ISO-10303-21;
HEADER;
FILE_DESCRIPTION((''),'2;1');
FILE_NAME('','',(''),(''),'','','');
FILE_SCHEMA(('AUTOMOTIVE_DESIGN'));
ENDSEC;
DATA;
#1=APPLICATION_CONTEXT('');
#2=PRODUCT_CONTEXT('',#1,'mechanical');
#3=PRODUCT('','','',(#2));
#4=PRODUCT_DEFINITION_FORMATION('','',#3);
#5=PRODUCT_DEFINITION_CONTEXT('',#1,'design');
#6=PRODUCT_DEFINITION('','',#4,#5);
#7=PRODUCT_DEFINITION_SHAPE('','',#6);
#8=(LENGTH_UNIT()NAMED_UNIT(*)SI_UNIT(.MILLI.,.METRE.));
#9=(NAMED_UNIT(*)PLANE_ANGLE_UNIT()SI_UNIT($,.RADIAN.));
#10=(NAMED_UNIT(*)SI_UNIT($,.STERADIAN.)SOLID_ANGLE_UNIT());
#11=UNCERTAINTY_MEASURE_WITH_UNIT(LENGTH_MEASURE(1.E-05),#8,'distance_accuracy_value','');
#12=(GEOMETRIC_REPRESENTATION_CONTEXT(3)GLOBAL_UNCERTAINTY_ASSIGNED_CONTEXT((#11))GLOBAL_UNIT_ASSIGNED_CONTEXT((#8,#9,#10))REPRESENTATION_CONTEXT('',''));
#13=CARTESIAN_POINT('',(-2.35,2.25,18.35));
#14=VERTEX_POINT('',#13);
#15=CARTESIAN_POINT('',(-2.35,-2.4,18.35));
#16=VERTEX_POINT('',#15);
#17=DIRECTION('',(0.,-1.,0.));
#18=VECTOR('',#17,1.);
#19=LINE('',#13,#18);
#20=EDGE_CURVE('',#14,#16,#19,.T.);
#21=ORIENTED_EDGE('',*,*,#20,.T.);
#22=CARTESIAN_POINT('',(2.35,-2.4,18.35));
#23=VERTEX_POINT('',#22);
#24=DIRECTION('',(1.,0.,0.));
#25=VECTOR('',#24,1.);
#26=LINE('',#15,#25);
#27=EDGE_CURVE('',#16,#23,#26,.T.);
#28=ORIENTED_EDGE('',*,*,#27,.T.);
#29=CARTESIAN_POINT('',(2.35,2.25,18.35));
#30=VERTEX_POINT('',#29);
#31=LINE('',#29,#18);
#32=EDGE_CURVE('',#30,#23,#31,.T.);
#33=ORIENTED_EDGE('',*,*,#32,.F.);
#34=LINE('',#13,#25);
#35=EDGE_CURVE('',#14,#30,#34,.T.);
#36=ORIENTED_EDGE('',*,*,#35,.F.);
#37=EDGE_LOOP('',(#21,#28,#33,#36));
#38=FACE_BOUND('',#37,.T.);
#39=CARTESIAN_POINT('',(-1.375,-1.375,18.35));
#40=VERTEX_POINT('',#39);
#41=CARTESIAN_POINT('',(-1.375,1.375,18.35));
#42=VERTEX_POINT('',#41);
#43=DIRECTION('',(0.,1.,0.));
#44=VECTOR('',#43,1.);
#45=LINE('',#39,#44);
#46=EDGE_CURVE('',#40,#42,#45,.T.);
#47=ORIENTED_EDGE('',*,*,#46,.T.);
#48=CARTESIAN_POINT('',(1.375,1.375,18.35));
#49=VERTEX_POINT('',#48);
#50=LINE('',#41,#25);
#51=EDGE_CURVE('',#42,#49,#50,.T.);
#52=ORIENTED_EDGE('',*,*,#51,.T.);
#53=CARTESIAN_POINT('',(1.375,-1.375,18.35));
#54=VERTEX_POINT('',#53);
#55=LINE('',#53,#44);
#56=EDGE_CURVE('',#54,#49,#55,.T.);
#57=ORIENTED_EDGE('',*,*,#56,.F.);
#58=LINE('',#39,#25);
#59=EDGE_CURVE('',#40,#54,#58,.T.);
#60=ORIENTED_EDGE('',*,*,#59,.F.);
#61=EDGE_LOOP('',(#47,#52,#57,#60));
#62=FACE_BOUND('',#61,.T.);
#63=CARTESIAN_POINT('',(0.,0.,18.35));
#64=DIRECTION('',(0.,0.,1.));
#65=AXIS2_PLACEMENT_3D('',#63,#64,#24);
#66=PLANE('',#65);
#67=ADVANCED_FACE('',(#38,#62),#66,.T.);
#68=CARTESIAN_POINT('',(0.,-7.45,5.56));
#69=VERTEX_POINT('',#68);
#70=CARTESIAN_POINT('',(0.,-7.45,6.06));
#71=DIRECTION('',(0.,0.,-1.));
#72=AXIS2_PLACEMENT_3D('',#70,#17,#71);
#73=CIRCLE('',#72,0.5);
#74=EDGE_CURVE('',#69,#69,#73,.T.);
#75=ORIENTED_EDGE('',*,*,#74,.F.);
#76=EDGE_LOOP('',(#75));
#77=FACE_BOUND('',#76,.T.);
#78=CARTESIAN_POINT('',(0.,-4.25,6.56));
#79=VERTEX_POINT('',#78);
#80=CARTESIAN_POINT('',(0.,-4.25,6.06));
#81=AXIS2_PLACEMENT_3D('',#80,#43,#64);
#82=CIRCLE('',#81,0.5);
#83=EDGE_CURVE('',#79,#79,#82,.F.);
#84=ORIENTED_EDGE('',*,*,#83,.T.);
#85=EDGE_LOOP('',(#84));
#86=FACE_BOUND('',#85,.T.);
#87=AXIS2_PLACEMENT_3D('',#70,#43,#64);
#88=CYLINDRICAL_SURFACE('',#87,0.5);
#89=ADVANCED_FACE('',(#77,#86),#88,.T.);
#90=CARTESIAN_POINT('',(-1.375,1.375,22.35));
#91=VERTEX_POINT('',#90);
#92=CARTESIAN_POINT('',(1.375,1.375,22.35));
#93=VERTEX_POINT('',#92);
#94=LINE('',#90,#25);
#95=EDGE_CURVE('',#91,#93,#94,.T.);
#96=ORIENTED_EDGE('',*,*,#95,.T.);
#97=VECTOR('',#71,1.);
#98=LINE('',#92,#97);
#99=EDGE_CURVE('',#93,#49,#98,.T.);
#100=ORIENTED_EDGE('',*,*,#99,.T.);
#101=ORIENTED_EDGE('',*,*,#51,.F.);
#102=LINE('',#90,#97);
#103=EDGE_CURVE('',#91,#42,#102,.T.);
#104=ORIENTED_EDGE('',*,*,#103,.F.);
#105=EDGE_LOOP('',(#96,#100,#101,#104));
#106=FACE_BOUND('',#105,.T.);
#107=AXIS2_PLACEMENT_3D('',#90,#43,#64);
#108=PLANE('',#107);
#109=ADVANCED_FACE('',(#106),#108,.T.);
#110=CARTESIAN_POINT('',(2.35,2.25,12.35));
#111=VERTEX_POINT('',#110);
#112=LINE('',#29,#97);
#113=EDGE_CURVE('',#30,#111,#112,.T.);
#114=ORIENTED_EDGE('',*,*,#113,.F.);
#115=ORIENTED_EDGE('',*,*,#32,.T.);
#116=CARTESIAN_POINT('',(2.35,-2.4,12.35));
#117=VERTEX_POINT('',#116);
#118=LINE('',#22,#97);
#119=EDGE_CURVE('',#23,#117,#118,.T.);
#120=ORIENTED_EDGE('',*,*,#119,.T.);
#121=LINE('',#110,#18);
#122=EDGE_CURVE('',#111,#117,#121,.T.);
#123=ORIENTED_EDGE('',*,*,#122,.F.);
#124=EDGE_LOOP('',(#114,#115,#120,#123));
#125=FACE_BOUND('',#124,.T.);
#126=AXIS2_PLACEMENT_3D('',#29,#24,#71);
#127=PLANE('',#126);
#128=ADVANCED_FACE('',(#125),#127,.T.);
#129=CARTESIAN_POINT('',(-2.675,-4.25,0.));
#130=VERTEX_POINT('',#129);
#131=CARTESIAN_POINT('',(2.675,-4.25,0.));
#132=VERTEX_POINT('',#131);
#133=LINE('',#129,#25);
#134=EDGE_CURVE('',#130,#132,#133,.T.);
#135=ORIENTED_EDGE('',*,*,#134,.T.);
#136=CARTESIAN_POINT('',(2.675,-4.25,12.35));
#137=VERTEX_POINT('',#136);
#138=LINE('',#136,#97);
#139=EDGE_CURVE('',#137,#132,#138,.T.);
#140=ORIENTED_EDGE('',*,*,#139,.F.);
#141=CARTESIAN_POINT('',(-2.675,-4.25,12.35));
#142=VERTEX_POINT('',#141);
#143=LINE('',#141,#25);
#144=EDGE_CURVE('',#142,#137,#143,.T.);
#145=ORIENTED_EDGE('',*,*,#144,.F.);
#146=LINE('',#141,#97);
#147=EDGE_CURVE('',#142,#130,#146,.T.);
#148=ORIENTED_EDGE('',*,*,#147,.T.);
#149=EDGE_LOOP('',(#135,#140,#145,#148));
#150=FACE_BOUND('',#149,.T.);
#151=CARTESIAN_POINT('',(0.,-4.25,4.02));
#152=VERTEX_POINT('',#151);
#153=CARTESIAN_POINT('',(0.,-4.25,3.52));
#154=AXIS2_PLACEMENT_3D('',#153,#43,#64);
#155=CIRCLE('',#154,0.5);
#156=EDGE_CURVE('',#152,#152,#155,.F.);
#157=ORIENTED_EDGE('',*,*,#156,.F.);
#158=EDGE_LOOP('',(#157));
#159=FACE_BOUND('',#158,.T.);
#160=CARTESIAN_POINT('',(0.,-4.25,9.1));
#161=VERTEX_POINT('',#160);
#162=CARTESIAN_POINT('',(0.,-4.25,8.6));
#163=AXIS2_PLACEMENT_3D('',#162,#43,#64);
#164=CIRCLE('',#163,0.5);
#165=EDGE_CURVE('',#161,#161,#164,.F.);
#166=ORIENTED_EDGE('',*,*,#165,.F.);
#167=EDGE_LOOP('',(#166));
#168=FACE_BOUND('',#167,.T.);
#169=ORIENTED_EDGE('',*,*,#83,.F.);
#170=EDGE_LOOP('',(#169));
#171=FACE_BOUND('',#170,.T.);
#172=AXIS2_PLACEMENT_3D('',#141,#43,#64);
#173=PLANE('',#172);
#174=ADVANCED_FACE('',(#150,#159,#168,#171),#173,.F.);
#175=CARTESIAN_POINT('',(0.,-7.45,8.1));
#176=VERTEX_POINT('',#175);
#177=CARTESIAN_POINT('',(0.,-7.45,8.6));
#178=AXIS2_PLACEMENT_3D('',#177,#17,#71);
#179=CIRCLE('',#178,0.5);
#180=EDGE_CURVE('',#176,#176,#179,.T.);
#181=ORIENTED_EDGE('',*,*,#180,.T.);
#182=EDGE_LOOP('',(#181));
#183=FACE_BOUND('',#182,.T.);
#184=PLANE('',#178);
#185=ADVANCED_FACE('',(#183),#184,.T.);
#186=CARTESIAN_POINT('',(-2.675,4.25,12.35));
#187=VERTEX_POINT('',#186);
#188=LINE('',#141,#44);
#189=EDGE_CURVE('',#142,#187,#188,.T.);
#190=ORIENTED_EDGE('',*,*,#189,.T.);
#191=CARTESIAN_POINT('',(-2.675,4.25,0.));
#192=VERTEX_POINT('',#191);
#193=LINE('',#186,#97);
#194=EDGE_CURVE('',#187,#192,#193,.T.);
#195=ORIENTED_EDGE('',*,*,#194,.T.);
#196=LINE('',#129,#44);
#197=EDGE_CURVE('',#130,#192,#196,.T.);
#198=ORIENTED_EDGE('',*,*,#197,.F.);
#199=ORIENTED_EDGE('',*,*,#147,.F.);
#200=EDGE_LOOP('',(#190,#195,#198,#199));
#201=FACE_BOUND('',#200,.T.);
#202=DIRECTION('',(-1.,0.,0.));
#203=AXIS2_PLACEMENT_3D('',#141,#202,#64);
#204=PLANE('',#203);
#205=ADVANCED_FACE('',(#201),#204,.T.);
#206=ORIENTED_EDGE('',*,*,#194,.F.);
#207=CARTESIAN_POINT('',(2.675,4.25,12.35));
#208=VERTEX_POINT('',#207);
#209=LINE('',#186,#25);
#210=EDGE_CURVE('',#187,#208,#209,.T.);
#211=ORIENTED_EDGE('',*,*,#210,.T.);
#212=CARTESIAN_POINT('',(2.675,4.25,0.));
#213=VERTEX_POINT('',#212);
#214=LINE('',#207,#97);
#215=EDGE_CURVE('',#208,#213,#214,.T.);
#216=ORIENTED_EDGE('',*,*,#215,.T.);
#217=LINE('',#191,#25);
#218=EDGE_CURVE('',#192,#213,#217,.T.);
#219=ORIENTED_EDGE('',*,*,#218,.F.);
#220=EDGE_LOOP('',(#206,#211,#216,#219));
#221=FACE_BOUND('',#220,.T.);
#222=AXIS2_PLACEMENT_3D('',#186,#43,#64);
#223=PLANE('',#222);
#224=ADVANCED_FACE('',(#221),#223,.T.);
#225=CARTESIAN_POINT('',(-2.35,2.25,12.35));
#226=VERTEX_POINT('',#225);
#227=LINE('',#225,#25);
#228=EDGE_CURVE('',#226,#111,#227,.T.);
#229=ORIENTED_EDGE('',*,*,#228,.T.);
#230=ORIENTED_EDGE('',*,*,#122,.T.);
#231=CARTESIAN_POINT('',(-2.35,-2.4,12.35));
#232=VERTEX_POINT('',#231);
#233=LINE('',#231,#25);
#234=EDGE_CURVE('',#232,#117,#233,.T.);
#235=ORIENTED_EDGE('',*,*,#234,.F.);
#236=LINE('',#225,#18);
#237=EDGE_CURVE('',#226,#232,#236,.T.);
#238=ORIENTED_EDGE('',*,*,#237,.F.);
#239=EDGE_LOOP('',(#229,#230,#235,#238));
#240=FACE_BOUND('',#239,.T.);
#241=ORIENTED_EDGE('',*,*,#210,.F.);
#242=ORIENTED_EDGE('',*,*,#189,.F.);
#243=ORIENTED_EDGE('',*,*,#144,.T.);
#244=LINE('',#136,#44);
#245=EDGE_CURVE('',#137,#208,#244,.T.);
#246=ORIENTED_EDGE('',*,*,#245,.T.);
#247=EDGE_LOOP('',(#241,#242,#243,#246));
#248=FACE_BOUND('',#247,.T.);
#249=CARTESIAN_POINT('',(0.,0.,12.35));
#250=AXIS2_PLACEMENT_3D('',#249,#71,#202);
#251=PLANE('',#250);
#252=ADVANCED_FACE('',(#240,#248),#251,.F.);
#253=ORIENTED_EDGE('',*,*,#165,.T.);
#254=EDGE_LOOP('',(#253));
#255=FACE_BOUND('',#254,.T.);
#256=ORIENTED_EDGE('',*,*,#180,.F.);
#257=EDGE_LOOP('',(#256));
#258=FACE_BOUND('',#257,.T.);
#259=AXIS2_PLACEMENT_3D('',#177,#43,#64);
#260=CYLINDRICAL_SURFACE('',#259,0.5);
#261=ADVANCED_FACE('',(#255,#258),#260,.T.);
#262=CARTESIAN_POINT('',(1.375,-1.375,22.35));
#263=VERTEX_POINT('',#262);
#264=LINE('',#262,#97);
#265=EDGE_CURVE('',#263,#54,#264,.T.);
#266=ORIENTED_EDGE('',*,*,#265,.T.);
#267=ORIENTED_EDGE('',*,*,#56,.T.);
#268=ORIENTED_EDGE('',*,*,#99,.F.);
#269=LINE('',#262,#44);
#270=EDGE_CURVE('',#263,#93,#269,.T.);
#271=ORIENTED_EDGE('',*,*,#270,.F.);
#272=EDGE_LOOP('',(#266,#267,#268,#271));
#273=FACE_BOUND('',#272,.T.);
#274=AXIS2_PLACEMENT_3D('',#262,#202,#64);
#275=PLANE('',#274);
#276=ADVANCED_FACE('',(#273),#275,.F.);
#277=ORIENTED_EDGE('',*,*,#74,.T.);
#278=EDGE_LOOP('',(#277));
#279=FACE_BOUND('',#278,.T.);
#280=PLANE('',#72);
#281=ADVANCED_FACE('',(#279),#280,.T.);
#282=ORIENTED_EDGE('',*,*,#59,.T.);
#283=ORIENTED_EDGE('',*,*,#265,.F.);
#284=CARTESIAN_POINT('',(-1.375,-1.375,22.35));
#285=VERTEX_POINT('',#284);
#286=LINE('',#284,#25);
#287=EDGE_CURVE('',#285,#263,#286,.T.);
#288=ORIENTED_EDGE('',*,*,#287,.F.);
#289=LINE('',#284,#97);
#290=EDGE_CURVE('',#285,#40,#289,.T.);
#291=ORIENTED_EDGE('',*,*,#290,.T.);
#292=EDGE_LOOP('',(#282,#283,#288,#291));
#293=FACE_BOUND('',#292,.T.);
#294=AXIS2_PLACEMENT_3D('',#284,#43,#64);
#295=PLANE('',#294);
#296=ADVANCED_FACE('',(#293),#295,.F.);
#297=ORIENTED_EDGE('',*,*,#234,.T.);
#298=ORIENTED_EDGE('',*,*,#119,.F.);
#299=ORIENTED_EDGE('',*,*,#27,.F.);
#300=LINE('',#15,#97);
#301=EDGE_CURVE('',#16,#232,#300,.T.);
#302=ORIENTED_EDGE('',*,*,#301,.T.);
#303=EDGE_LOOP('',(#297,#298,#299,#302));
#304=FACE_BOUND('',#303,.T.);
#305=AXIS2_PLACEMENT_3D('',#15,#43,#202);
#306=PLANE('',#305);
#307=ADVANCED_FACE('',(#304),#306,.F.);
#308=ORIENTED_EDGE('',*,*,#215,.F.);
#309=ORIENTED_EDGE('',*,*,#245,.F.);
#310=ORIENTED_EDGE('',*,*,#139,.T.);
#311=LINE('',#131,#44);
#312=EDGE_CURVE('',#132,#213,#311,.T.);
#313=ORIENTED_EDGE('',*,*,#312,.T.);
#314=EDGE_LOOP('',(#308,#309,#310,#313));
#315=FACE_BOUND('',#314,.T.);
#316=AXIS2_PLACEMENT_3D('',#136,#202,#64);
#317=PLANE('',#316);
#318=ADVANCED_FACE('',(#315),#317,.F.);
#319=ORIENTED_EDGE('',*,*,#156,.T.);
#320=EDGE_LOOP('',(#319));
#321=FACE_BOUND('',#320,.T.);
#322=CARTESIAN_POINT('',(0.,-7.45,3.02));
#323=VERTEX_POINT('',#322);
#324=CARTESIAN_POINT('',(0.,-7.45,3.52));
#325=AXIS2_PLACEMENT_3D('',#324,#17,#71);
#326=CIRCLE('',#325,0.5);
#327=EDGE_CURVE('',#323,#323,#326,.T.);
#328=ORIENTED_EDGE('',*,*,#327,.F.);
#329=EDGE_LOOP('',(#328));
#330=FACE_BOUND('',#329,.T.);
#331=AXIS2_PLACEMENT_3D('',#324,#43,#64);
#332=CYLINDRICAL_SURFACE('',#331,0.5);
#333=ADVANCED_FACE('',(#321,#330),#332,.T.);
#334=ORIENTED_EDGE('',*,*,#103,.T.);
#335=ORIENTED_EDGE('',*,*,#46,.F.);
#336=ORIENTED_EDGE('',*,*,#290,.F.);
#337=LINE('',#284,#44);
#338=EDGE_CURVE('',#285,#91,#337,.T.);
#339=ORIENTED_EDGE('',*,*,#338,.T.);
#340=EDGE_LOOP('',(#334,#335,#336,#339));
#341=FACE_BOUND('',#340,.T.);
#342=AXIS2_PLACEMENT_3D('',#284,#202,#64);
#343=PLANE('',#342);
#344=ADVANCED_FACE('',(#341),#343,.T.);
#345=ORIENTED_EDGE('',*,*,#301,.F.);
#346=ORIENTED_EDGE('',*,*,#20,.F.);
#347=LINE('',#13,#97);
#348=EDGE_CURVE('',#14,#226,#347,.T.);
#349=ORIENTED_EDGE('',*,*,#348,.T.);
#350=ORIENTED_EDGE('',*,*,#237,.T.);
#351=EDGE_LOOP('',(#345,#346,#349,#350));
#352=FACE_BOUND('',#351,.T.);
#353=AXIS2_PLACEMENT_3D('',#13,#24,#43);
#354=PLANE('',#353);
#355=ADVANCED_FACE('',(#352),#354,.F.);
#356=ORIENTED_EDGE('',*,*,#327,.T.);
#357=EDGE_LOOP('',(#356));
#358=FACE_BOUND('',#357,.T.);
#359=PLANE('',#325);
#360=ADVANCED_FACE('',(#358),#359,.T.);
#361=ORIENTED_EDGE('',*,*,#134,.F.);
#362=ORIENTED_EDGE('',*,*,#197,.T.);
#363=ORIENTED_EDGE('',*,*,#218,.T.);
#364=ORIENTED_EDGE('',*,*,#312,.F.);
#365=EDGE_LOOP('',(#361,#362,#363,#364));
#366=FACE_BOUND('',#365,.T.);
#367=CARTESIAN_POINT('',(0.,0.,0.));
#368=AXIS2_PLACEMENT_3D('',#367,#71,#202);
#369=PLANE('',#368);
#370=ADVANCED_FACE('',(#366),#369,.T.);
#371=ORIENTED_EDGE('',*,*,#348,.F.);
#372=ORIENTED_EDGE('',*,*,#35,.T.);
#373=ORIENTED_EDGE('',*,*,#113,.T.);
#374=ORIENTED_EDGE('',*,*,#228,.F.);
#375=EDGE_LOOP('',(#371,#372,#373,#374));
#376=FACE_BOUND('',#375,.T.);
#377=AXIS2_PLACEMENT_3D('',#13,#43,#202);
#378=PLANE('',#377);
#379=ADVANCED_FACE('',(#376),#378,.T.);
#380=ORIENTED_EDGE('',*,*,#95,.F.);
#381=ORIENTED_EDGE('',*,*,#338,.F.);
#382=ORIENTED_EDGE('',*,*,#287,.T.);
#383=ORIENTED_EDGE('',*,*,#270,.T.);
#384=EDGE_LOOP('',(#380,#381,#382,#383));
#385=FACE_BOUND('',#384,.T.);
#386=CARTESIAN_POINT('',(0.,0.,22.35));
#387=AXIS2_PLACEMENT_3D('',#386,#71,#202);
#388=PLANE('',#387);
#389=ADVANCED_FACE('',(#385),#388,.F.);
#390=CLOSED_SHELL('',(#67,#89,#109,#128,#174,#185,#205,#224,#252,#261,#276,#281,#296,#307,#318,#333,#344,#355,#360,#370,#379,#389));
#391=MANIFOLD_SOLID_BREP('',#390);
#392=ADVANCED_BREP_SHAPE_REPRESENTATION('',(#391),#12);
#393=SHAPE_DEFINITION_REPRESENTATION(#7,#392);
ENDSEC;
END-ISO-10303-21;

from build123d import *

# Parameters (mm, degrees)
SKETCH1_W           = 5.35
SKETCH1_H           = 8.5
BOSS_EXTRUDE1_DEPTH = 12.35
SKETCH2_W           = 2.75
SKETCH2_H           = 2.75
BOSS_EXTRUDE2_DEPTH = 10
SKETCH4_W           = 4.7
SKETCH4_H           = 4.65
BOSS_EXTRUDE4_DEPTH = 6
SKETCH3_R           = 0.5
BOSS_EXTRUDE3_DEPTH = 3.2


with BuildPart() as part:
    # Sketch1 → Boss-Extrude1 (new body)
    with BuildSketch(Plane.XY):
        Rectangle(SKETCH1_W, SKETCH1_H)
    extrude(amount=BOSS_EXTRUDE1_DEPTH)

    # Sketch2 → Boss-Extrude2 (add)
    with BuildSketch(Plane.XY.offset(12.35)):
        Rectangle(SKETCH2_W, SKETCH2_H)
    extrude(amount=BOSS_EXTRUDE2_DEPTH)

    # Sketch4 → Boss-Extrude4 (add)
    with BuildSketch(Plane.XY.offset(12.35)):
        with Locations((0, -0.075)):
            Rectangle(SKETCH4_W, SKETCH4_H)
    extrude(amount=BOSS_EXTRUDE4_DEPTH)

    # Sketch3 → Boss-Extrude3 (add)
    with BuildSketch(Plane.XZ.offset(4.25)):
        with Locations(Location((0, 8.6, 0), (0, 0, 90))):
            Circle(SKETCH3_R)
        with Locations(Location((0, 6.06, 0), (0, 0, 90))):
            Circle(SKETCH3_R)
        with Locations(Location((0, 3.52, 0), (0, 0, 90))):
            Circle(SKETCH3_R)
    extrude(amount=BOSS_EXTRUDE3_DEPTH)


solid = part.part
